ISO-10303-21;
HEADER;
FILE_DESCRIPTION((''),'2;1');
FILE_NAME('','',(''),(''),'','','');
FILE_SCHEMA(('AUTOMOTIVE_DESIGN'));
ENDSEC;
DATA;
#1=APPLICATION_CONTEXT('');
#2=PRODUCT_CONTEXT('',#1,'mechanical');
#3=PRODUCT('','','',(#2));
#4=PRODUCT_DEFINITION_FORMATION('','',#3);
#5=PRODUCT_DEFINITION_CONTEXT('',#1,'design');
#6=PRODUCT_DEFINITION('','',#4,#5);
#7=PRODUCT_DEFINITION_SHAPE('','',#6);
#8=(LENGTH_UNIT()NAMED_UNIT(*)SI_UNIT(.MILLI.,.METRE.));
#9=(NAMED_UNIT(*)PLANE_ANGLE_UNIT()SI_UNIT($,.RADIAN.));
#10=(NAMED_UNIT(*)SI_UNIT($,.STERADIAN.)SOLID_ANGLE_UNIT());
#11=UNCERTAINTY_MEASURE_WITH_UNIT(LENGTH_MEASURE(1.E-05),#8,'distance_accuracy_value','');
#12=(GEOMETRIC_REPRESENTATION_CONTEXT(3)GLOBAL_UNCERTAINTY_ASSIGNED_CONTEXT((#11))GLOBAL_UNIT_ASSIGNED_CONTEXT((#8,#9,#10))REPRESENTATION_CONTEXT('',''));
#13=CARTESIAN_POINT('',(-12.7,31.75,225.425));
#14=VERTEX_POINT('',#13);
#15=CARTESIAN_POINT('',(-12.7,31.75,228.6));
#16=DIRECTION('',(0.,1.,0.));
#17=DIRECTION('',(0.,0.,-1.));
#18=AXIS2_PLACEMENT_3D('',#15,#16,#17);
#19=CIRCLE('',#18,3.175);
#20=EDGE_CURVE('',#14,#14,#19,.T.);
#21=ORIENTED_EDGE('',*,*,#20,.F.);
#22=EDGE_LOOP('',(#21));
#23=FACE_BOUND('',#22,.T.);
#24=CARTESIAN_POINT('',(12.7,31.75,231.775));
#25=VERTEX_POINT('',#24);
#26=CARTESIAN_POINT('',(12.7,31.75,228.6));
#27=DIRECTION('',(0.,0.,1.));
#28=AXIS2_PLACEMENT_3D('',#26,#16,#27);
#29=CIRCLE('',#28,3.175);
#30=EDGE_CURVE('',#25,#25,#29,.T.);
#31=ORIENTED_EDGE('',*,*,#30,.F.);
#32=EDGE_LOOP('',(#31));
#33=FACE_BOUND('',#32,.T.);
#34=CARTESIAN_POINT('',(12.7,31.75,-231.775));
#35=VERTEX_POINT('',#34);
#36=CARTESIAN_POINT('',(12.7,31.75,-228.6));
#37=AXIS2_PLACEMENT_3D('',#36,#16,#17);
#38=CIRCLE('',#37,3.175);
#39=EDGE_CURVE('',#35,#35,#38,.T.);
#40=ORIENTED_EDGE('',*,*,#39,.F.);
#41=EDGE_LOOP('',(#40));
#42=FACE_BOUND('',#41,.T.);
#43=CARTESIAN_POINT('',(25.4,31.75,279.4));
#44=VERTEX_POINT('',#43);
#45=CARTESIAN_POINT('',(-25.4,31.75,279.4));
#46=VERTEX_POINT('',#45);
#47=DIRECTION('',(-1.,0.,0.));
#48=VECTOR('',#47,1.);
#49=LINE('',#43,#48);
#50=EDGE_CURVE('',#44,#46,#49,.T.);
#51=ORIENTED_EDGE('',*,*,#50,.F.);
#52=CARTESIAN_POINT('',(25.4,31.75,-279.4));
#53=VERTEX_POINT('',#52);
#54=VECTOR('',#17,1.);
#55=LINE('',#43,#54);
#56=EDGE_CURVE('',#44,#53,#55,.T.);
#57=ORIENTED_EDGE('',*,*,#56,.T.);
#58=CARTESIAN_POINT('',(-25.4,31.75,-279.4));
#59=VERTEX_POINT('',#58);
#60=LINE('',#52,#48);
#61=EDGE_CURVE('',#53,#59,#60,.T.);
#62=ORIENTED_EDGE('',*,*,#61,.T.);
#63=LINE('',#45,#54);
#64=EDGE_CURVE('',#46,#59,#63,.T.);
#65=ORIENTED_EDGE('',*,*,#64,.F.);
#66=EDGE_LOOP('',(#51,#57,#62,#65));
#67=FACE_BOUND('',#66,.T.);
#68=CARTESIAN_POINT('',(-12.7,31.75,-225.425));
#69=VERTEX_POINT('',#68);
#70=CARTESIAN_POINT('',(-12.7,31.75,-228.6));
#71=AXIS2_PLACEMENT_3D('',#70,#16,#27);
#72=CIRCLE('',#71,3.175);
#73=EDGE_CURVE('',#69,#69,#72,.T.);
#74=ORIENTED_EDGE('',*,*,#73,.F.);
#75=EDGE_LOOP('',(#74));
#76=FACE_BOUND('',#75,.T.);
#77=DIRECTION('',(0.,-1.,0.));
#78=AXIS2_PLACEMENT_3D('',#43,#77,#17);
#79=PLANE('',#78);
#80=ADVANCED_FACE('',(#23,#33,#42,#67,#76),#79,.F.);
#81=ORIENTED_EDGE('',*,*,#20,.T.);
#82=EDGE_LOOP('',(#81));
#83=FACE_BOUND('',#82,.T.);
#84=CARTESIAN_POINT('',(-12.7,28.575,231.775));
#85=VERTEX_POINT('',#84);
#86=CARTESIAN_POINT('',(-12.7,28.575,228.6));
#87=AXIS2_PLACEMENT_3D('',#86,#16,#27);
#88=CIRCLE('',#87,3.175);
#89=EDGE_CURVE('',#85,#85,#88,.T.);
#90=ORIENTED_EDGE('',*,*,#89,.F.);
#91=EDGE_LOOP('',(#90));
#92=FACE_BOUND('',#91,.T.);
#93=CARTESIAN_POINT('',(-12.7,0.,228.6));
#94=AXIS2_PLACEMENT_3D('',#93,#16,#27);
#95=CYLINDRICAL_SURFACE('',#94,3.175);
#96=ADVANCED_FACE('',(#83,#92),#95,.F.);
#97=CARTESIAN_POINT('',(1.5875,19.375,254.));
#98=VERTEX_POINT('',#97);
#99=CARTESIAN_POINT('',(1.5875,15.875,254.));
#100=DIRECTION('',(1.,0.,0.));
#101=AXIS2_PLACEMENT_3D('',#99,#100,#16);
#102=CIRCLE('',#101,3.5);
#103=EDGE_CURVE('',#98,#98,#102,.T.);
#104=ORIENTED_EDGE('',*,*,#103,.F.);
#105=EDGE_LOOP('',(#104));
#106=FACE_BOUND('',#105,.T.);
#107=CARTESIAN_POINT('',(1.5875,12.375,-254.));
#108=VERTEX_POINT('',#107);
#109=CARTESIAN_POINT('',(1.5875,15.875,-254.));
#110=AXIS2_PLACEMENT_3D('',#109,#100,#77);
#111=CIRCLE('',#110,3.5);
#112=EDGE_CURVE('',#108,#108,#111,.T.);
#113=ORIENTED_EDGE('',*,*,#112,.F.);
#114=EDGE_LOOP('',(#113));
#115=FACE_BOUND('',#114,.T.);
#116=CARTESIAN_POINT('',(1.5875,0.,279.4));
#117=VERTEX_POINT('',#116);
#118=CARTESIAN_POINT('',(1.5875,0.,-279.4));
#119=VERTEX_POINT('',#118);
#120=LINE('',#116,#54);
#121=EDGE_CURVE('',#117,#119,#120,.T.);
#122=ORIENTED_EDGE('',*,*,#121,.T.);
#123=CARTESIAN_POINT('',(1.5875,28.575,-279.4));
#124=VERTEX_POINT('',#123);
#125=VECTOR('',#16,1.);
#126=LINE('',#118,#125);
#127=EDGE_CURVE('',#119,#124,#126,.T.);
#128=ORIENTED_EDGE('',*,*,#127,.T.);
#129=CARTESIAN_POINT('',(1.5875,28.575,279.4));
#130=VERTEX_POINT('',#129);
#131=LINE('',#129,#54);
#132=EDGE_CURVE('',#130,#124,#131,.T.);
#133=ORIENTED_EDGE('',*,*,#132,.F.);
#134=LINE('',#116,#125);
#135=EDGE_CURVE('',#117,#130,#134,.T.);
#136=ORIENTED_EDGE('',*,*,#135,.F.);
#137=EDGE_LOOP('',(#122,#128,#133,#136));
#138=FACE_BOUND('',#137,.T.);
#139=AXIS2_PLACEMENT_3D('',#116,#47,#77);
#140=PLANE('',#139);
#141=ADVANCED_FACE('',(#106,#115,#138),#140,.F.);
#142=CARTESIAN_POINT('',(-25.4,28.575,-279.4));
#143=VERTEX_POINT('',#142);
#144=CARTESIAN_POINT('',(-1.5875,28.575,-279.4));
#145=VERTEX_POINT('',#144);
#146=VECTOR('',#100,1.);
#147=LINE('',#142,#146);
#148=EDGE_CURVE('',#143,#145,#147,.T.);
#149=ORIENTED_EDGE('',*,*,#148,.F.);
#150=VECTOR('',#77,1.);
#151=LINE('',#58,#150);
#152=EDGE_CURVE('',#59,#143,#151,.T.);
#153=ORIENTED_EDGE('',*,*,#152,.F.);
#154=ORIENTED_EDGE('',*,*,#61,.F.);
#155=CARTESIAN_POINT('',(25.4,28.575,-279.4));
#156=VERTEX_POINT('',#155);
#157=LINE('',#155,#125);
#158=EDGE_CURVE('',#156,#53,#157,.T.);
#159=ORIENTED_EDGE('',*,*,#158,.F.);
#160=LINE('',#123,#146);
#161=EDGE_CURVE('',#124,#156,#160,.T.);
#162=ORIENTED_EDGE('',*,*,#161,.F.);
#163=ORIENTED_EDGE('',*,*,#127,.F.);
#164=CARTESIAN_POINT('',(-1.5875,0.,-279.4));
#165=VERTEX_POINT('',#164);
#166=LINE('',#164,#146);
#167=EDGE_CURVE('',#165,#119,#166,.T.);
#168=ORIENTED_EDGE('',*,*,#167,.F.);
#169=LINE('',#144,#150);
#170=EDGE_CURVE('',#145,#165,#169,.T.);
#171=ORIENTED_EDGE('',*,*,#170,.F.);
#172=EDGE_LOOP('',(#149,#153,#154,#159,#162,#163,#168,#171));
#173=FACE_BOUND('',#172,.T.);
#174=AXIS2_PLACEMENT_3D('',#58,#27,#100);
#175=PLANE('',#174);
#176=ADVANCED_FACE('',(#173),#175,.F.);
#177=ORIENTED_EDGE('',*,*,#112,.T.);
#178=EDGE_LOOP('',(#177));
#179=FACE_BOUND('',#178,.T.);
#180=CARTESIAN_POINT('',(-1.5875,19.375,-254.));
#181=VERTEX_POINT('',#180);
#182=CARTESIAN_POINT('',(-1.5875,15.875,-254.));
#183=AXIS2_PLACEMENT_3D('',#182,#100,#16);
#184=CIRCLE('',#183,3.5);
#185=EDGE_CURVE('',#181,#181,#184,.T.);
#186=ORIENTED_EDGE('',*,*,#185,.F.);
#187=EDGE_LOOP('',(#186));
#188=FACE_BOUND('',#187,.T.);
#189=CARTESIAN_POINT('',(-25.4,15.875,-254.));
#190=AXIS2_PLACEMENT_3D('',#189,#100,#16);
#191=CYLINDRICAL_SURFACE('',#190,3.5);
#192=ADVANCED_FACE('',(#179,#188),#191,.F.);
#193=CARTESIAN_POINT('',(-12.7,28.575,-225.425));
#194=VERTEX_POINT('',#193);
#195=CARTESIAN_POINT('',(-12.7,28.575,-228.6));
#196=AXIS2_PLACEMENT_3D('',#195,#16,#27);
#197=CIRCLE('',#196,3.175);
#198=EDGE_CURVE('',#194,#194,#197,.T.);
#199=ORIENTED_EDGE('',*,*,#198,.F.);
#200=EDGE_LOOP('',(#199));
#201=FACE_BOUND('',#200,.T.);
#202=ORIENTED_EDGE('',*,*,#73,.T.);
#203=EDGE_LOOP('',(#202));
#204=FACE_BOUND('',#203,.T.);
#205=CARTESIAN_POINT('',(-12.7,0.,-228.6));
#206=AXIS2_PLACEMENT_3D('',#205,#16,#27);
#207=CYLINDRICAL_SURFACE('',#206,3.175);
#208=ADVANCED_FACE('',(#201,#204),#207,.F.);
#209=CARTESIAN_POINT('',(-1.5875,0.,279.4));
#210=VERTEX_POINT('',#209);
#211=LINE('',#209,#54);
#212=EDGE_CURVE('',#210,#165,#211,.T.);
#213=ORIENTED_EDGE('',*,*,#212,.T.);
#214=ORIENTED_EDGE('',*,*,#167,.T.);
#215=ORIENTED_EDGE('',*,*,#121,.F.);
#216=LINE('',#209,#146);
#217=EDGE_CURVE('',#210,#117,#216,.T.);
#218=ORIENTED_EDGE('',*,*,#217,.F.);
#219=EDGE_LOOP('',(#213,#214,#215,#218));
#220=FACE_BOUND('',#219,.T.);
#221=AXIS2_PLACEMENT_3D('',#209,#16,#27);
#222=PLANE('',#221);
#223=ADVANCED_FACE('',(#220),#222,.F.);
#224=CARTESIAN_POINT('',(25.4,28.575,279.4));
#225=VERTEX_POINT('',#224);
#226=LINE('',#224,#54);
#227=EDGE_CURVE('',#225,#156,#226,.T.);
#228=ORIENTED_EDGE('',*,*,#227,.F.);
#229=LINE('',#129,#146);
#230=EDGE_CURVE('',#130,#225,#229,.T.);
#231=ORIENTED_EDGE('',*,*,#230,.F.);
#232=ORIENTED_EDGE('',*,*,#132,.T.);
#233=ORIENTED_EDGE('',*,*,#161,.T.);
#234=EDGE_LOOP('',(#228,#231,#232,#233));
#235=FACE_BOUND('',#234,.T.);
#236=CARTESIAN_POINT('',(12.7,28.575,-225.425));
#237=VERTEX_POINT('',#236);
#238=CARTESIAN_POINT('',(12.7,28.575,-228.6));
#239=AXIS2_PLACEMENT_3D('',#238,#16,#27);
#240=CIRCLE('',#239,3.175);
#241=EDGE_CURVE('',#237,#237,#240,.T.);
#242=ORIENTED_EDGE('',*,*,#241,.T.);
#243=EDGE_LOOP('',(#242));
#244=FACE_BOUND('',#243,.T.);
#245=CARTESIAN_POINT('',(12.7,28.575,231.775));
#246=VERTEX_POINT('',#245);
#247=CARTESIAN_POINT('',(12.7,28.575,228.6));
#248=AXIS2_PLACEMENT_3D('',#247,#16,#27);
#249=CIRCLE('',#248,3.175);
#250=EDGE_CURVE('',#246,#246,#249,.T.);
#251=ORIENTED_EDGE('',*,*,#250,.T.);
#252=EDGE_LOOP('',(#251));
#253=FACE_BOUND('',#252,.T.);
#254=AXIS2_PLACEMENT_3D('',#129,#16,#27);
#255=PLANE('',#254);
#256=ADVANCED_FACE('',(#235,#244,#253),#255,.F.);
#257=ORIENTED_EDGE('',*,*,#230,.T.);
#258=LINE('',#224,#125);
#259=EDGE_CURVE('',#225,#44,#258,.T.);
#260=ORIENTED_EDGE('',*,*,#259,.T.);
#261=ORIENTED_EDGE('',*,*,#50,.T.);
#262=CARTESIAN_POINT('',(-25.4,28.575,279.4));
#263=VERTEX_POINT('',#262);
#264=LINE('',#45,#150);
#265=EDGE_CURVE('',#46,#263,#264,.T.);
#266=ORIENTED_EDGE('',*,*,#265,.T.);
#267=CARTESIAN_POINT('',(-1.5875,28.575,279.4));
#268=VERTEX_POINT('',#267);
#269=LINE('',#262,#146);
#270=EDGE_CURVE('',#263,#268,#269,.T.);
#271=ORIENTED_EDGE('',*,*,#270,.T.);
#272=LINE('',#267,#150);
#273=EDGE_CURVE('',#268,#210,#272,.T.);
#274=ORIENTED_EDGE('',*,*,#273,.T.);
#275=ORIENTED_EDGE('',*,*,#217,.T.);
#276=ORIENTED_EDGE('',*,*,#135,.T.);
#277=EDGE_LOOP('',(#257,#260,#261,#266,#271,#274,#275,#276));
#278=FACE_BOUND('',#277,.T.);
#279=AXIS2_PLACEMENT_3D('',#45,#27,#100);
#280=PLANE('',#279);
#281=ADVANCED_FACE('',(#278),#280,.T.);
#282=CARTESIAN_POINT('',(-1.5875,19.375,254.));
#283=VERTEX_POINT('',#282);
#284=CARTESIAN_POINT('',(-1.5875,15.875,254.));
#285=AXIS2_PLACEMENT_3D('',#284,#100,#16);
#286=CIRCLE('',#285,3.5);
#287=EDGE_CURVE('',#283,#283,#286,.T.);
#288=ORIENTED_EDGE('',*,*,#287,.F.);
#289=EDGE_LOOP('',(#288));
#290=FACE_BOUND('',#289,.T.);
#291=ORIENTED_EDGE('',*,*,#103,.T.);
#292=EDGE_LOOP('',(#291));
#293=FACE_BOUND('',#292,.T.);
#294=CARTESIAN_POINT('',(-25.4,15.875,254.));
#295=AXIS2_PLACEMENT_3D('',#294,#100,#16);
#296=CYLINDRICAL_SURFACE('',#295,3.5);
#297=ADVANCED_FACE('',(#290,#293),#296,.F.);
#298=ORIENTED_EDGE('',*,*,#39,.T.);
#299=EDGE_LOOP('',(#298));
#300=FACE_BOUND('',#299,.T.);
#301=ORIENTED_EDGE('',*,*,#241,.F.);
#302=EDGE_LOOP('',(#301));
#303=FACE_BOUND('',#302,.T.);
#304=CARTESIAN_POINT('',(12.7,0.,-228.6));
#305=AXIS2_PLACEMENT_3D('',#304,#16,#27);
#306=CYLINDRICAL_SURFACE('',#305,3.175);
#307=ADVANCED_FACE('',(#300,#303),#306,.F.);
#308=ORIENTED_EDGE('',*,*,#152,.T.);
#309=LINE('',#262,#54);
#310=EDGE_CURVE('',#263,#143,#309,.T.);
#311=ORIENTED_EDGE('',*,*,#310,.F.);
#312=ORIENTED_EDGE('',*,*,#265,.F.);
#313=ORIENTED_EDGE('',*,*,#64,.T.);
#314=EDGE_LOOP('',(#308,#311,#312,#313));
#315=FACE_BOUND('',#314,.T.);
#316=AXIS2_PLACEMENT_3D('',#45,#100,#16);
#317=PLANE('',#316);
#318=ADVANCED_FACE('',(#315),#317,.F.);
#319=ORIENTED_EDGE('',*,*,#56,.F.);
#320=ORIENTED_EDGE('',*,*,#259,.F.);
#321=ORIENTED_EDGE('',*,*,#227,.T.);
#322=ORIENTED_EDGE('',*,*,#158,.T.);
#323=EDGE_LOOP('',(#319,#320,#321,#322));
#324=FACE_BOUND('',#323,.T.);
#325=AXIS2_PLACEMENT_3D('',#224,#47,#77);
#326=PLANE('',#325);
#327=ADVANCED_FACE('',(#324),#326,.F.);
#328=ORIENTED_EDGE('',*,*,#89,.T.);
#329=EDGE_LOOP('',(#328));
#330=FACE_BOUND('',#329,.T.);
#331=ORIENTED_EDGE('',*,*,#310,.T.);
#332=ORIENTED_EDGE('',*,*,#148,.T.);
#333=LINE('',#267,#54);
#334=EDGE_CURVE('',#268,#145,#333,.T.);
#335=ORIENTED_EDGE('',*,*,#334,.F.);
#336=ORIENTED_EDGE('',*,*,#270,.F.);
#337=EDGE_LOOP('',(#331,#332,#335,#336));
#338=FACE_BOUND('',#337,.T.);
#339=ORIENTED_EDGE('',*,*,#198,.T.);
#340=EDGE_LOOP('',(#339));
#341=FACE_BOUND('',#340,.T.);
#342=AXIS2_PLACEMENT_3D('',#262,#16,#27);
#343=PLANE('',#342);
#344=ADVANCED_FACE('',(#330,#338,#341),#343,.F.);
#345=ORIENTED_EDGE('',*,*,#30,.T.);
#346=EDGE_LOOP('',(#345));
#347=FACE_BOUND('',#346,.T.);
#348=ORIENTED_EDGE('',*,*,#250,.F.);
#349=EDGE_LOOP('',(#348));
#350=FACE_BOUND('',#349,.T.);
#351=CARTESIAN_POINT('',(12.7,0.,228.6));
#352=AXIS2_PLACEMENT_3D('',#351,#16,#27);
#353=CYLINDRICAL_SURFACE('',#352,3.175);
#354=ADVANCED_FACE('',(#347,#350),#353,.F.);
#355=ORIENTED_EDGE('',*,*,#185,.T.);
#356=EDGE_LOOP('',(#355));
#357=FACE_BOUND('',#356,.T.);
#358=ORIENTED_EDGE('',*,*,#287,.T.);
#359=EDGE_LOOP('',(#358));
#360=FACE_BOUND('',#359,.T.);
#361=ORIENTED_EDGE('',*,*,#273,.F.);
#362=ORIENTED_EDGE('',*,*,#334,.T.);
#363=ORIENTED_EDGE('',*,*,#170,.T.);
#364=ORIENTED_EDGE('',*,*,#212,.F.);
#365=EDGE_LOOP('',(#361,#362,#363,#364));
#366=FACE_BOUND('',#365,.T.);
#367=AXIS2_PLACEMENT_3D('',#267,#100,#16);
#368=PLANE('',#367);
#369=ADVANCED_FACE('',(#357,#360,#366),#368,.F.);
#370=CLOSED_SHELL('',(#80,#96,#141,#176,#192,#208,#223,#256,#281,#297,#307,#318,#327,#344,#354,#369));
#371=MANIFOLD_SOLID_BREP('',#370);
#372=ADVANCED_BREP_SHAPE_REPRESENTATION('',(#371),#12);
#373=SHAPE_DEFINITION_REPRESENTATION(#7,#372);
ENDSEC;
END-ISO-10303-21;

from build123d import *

# Parameters (mm, degrees)
BOSS_EXTRUDE1_DEPTH = 279.4
SKETCH2_R           = 3.5
CUT_EXTRUDE1_DEPTH  = 27.9875
SKETCH3_R           = 3.175
CUT_EXTRUDE2_DEPTH  = 32.75


with BuildPart() as part:
    # Sketch1 → Boss-Extrude1 (new body, symmetric)
    with BuildSketch(Plane.XY):
        Polygon((-25.4, 31.75), (-25.4, 28.575), (-1.5875, 28.575), (-1.5875, 0), (1.5875, 0), (1.5875, 28.575), (25.4, 28.575), (25.4, 31.75), align=None)
    extrude(amount=BOSS_EXTRUDE1_DEPTH, both=True)

    # Sketch2 → Cut-Extrude1 (cut, through all)
    with BuildSketch(Plane(origin=(1.5875, 0, 0), x_dir=(0, 0, -1), z_dir=(1, 0, 0))):
        with Locations((-254, 15.875)):
            Circle(SKETCH2_R)
        with Locations((254, 15.875)):
            Circle(SKETCH2_R)
    extrude(amount=-CUT_EXTRUDE1_DEPTH, mode=Mode.SUBTRACT)

    # Sketch3 → Cut-Extrude2 (cut, through all)
    with BuildSketch(Plane(origin=(0, 31.75, 0), x_dir=(1, 0, 0), z_dir=(0, 1, 0))):
        with Locations((-12.7, 228.6)):
            Circle(SKETCH3_R)
        with Locations((12.7, 228.6)):
            Circle(SKETCH3_R)
        with Locations((12.7, -228.6)):
            Circle(SKETCH3_R)
        with Locations((-12.7, -228.6)):
            Circle(SKETCH3_R)
    extrude(amount=-CUT_EXTRUDE2_DEPTH, mode=Mode.SUBTRACT)


solid = part.part
